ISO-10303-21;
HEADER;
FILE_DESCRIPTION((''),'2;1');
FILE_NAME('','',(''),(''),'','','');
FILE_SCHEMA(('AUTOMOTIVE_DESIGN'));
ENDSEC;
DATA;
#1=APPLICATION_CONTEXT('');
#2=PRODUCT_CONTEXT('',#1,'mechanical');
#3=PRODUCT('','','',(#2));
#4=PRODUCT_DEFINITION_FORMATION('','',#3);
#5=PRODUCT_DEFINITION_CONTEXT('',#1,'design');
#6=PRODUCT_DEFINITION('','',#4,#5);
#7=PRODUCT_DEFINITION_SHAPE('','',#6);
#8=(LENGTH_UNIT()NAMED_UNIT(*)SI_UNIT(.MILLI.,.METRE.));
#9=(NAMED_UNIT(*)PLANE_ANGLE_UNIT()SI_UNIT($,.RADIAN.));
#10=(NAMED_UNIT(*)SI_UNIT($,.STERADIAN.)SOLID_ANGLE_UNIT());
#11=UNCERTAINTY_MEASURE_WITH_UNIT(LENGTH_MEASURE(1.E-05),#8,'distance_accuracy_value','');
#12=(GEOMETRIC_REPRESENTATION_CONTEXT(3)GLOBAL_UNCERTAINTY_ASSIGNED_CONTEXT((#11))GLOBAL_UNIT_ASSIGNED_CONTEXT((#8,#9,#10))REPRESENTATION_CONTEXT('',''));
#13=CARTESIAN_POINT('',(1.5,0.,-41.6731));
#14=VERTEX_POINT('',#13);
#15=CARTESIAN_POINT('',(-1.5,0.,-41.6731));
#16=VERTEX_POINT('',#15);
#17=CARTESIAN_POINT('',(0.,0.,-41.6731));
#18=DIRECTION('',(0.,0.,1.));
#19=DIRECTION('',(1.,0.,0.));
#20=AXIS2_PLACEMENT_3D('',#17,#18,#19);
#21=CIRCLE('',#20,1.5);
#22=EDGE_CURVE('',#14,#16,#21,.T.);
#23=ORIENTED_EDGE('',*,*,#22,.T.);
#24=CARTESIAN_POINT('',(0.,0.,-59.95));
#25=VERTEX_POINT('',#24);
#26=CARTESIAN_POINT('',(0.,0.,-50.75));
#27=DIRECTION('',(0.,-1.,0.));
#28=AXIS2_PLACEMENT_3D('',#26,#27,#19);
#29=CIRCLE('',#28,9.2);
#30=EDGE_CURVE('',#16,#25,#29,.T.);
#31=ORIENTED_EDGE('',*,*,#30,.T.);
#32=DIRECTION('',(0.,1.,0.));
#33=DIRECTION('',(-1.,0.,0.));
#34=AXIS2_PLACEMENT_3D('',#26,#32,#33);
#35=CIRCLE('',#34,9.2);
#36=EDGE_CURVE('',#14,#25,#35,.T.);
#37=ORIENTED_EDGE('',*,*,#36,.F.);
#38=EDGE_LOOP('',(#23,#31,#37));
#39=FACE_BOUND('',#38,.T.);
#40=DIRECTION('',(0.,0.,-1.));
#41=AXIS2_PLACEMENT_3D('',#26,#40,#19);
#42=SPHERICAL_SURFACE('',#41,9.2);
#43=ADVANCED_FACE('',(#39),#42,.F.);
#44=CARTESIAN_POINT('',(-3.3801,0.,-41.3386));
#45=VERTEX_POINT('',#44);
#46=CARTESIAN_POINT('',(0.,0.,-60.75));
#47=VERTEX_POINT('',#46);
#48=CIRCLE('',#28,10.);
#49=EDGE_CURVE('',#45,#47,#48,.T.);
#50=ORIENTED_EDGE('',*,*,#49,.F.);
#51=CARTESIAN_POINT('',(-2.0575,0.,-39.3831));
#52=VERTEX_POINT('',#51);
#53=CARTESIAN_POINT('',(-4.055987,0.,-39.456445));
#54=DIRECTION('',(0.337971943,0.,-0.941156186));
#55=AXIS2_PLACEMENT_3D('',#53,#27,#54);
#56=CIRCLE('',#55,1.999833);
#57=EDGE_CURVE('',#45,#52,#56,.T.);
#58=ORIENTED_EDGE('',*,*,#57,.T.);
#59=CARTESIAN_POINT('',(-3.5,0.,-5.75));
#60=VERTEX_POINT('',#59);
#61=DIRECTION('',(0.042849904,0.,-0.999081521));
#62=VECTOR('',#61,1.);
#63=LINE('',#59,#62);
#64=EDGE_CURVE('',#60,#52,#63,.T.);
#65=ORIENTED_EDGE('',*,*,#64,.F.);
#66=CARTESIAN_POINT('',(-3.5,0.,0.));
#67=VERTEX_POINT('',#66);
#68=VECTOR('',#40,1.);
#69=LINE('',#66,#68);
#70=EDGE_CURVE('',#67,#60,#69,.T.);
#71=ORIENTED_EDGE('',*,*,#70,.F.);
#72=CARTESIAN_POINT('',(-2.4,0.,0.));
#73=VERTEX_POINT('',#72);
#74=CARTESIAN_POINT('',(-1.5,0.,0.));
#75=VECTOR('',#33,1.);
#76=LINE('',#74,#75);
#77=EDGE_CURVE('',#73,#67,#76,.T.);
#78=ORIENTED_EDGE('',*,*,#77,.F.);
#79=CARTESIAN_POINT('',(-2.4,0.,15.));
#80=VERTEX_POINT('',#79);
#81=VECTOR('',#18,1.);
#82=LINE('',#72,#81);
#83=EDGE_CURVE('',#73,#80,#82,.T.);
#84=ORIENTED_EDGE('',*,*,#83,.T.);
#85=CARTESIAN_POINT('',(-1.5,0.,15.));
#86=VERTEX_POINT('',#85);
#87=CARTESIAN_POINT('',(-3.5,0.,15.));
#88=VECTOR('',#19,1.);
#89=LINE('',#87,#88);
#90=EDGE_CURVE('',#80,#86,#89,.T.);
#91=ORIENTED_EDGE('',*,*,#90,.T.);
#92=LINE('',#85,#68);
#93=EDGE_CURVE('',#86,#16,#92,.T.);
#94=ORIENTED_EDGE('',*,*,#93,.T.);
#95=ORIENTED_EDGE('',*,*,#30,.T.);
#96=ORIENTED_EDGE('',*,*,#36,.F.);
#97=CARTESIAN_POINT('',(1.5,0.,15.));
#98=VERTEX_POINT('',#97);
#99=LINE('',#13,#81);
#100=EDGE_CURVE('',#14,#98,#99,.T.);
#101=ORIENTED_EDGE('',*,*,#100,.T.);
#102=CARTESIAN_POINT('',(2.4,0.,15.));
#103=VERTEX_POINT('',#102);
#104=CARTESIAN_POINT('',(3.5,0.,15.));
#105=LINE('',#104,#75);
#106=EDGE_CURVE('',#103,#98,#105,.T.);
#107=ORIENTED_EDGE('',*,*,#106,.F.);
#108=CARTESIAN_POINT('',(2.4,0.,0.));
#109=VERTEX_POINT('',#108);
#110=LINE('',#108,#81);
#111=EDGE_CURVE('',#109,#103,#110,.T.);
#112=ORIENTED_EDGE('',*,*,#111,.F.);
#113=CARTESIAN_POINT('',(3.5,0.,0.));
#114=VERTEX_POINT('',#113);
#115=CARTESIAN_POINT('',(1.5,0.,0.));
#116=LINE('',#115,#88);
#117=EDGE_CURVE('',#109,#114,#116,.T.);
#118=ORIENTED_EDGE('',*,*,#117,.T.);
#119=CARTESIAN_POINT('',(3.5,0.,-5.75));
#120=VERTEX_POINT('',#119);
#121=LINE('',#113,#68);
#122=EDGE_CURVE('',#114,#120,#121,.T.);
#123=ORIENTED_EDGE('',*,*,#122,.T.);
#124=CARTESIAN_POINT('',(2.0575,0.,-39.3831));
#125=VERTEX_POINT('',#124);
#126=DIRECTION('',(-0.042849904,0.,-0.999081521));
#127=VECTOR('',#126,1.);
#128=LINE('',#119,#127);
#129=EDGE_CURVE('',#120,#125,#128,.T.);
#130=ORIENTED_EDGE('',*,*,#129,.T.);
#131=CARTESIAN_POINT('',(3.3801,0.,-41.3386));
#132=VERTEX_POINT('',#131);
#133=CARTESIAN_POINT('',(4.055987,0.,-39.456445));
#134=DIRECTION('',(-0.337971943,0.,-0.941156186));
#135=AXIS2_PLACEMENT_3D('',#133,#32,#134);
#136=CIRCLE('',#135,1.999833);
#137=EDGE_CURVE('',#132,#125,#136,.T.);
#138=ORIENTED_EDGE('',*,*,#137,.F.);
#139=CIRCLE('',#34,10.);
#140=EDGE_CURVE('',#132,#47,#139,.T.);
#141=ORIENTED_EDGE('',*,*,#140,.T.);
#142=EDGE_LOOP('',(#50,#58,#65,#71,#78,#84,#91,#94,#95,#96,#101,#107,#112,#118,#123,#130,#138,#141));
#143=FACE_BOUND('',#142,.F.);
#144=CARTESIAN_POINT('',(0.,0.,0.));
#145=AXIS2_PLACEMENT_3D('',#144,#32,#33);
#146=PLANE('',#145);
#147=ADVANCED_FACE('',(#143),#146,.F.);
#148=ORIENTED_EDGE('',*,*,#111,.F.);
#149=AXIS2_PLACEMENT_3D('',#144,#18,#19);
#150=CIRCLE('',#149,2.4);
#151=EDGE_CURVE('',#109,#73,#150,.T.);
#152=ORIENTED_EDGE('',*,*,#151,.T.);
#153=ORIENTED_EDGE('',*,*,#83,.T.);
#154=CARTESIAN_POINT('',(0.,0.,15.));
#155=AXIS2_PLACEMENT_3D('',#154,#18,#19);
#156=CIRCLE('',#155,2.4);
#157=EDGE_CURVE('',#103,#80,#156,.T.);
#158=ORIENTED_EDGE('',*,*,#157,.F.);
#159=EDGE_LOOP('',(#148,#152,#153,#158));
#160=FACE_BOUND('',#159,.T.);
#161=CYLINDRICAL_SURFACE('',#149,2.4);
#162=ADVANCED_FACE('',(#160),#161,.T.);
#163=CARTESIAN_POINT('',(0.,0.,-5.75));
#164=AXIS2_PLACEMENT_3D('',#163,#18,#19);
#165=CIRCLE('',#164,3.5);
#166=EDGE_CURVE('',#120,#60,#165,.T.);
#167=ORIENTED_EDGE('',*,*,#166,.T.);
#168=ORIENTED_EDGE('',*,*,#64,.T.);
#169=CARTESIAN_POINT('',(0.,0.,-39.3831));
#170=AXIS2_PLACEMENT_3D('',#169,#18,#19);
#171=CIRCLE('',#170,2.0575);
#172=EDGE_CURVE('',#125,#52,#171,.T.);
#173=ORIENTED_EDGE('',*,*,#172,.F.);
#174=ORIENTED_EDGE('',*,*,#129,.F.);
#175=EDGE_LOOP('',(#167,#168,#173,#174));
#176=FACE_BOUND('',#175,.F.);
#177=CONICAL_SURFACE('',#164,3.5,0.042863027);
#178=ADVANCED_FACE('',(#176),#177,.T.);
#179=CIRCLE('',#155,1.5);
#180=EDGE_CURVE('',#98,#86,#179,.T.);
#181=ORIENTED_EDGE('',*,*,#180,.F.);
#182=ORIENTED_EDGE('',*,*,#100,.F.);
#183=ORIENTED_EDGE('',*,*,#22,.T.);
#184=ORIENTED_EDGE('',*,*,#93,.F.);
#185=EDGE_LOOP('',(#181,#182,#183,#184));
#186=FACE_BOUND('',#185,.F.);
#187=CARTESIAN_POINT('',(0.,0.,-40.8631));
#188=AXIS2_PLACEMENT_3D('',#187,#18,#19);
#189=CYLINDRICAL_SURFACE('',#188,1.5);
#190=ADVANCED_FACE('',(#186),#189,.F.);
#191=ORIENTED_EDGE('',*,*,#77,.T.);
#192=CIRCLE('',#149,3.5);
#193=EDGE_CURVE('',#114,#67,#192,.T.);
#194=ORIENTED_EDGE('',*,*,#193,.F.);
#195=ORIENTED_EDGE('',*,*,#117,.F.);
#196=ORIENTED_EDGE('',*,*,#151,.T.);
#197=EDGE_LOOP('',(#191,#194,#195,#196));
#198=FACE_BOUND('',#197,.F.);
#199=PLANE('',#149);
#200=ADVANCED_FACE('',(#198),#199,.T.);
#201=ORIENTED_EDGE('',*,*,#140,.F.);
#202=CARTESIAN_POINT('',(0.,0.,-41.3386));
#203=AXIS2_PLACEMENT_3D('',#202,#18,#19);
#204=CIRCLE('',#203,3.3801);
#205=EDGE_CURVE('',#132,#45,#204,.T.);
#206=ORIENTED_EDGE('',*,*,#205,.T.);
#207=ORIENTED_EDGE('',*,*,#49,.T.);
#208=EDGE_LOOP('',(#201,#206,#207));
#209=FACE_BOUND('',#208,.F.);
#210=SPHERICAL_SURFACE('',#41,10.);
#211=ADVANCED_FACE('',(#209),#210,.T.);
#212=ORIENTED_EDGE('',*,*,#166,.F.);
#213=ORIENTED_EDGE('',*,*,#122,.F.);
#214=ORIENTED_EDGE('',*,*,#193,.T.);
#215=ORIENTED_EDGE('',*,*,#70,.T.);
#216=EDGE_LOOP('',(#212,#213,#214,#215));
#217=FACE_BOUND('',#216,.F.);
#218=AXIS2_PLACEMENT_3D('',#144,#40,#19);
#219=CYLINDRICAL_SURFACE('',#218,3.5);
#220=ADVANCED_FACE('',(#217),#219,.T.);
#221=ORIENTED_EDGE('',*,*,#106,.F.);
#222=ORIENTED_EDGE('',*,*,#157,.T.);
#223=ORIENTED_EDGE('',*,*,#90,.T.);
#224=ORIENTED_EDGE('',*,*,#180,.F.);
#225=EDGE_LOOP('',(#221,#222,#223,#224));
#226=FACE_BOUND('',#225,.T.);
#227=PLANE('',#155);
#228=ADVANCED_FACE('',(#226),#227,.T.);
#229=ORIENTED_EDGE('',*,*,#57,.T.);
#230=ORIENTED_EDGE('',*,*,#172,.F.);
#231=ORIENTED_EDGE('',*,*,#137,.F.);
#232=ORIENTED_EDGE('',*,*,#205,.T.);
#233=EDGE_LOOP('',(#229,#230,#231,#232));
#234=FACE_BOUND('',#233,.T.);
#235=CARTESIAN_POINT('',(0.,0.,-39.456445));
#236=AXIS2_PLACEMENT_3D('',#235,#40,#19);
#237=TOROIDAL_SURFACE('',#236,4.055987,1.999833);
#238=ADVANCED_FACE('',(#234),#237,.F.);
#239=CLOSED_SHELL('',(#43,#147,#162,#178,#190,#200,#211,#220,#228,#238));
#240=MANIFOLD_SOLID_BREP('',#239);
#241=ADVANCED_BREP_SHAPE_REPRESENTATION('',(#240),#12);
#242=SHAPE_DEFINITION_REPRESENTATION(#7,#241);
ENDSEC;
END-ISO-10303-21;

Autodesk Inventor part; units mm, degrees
ref_plane "YZ Plane" through (0, 0, 0) normal (1, 0, 0) x (0, 1, 0)
ref_plane "XZ Plane" through (0, 0, 0) normal (0, 1, 0) x (-1, 0, 0)
ref_plane "XY Plane" through (0, 0, 0) normal (0, 0, 1) x (1, 0, 0)
sketch "Sketch1" plane through (0, 0, 0) normal (0, 1, 0) x (-1, 0, 0)
  line L0 (0, 0) -> (-1.5, 0)
  line L1 (-1.5, 0) -> (-3.5, 0)
  line L2 (0, 0) -> (0, -40.75)
  line L3 (0, -40.75) -> (0, -50.75)
  circle A0 centre (0, -50.75) radius 10
  line L4 (-1.5, -40.8631) -> (0, -40.8631)
  line L5 (0, -40.8631) -> (0, -40.75)
  line L6 (-1.5, -40.8631) -> (-1.5, 0)
  line L7 (0, -40.75) -> (-1.5, -40.75)
  line L8 (-1.5, -40.75) -> (-2, -40.75)
  line L9 (0, -50.75) -> (0, -60.75)
  circle A1 centre (0, -50.75) radius 9.2
  line L10 (-1.5, 0) -> (-1.5, 15)
  line L11 (-3.5, 0) -> (-3.5, 15)
  line L12 (-3.5, 15) -> (-1.5, 15)
  arc A2 (-3.3801, -41.3386) -> (-2.0575, -39.3831) centre (-4.0561, -39.4563) ccw
  line L13 (-1.5, -40.8631) -> (-1.5, -41.6731)
  line L14 (0, 0) -> (-2.4, 0)
  line L15 (-2.4, 0) -> (-2.4, 15)
  line L16 (0, 0) -> (-1.5, 0)
  line L17 (-1.5, 0) -> (-1.5, 15)
  line L18 (-2.4, 15) -> (0, 15)
  line L19 (0, 15) -> (0, 0)
  line L20 (-1.5, 0) -> (-1.5, 0)
  line L21 (-1.5, 0) -> (-1.5, -2)
  line L22 (-1.5, -2) -> (-1.5, -2)
  line L23 (-3.5, 0) -> (-3.5, -5.75)
  line L24 (-3.5, -5.75) -> (-2.0575, -39.3831)
  point P0 (0, -59.95)
  point P1 (0, -41.55)
  dimension "d7" = 18.4
  dimension "d1" = 2
  dimension "d2" = 40.75
  dimension "d4" = 10
  dimension "d9" = 15
  dimension "d16" = 1.5
  dimension "d19" = 2
  dimension "d20" = 2.4
  dimension "d21" = 15
  dimension "d22" = 1.5
  dimension "d23" = 2
  dimension "d24" = 3.5
  dimension "d25" = 5.75
revolve "Revolution1" add sketch "Sketch1" angle 180 about axis through (0, 0, 0) along (0, 0, 1) contours L6 A0 A2 L24 L23 L1 | L1 L15 L12 L10 | L13 A1 L9 A0
sketch "Sketch2" plane through (3.7, 0, 0) normal (0, 0, 1) x (1, 0, 0)
  circle A0 centre (-3.7, 0) radius 3.7
  circle A1 centre (-3.7, 0) radius 2.2
  line L0 (-0.2, 0) -> (-1.6425, 0) projected
  line L1 (0, 0) -> (-7.4, 0)
  point P0 (-1.7, 0)
  point P1 (-5.9, 0)
  point P2 (-1.5, 0)
  dimension "d13" = 4.4
  dimension "d14" = 7.4
extrude "Rod Stopper" [suppressed]
equation "\"d23\" = d1"
properties part number "markerWithRodEnd_3DPrint"
